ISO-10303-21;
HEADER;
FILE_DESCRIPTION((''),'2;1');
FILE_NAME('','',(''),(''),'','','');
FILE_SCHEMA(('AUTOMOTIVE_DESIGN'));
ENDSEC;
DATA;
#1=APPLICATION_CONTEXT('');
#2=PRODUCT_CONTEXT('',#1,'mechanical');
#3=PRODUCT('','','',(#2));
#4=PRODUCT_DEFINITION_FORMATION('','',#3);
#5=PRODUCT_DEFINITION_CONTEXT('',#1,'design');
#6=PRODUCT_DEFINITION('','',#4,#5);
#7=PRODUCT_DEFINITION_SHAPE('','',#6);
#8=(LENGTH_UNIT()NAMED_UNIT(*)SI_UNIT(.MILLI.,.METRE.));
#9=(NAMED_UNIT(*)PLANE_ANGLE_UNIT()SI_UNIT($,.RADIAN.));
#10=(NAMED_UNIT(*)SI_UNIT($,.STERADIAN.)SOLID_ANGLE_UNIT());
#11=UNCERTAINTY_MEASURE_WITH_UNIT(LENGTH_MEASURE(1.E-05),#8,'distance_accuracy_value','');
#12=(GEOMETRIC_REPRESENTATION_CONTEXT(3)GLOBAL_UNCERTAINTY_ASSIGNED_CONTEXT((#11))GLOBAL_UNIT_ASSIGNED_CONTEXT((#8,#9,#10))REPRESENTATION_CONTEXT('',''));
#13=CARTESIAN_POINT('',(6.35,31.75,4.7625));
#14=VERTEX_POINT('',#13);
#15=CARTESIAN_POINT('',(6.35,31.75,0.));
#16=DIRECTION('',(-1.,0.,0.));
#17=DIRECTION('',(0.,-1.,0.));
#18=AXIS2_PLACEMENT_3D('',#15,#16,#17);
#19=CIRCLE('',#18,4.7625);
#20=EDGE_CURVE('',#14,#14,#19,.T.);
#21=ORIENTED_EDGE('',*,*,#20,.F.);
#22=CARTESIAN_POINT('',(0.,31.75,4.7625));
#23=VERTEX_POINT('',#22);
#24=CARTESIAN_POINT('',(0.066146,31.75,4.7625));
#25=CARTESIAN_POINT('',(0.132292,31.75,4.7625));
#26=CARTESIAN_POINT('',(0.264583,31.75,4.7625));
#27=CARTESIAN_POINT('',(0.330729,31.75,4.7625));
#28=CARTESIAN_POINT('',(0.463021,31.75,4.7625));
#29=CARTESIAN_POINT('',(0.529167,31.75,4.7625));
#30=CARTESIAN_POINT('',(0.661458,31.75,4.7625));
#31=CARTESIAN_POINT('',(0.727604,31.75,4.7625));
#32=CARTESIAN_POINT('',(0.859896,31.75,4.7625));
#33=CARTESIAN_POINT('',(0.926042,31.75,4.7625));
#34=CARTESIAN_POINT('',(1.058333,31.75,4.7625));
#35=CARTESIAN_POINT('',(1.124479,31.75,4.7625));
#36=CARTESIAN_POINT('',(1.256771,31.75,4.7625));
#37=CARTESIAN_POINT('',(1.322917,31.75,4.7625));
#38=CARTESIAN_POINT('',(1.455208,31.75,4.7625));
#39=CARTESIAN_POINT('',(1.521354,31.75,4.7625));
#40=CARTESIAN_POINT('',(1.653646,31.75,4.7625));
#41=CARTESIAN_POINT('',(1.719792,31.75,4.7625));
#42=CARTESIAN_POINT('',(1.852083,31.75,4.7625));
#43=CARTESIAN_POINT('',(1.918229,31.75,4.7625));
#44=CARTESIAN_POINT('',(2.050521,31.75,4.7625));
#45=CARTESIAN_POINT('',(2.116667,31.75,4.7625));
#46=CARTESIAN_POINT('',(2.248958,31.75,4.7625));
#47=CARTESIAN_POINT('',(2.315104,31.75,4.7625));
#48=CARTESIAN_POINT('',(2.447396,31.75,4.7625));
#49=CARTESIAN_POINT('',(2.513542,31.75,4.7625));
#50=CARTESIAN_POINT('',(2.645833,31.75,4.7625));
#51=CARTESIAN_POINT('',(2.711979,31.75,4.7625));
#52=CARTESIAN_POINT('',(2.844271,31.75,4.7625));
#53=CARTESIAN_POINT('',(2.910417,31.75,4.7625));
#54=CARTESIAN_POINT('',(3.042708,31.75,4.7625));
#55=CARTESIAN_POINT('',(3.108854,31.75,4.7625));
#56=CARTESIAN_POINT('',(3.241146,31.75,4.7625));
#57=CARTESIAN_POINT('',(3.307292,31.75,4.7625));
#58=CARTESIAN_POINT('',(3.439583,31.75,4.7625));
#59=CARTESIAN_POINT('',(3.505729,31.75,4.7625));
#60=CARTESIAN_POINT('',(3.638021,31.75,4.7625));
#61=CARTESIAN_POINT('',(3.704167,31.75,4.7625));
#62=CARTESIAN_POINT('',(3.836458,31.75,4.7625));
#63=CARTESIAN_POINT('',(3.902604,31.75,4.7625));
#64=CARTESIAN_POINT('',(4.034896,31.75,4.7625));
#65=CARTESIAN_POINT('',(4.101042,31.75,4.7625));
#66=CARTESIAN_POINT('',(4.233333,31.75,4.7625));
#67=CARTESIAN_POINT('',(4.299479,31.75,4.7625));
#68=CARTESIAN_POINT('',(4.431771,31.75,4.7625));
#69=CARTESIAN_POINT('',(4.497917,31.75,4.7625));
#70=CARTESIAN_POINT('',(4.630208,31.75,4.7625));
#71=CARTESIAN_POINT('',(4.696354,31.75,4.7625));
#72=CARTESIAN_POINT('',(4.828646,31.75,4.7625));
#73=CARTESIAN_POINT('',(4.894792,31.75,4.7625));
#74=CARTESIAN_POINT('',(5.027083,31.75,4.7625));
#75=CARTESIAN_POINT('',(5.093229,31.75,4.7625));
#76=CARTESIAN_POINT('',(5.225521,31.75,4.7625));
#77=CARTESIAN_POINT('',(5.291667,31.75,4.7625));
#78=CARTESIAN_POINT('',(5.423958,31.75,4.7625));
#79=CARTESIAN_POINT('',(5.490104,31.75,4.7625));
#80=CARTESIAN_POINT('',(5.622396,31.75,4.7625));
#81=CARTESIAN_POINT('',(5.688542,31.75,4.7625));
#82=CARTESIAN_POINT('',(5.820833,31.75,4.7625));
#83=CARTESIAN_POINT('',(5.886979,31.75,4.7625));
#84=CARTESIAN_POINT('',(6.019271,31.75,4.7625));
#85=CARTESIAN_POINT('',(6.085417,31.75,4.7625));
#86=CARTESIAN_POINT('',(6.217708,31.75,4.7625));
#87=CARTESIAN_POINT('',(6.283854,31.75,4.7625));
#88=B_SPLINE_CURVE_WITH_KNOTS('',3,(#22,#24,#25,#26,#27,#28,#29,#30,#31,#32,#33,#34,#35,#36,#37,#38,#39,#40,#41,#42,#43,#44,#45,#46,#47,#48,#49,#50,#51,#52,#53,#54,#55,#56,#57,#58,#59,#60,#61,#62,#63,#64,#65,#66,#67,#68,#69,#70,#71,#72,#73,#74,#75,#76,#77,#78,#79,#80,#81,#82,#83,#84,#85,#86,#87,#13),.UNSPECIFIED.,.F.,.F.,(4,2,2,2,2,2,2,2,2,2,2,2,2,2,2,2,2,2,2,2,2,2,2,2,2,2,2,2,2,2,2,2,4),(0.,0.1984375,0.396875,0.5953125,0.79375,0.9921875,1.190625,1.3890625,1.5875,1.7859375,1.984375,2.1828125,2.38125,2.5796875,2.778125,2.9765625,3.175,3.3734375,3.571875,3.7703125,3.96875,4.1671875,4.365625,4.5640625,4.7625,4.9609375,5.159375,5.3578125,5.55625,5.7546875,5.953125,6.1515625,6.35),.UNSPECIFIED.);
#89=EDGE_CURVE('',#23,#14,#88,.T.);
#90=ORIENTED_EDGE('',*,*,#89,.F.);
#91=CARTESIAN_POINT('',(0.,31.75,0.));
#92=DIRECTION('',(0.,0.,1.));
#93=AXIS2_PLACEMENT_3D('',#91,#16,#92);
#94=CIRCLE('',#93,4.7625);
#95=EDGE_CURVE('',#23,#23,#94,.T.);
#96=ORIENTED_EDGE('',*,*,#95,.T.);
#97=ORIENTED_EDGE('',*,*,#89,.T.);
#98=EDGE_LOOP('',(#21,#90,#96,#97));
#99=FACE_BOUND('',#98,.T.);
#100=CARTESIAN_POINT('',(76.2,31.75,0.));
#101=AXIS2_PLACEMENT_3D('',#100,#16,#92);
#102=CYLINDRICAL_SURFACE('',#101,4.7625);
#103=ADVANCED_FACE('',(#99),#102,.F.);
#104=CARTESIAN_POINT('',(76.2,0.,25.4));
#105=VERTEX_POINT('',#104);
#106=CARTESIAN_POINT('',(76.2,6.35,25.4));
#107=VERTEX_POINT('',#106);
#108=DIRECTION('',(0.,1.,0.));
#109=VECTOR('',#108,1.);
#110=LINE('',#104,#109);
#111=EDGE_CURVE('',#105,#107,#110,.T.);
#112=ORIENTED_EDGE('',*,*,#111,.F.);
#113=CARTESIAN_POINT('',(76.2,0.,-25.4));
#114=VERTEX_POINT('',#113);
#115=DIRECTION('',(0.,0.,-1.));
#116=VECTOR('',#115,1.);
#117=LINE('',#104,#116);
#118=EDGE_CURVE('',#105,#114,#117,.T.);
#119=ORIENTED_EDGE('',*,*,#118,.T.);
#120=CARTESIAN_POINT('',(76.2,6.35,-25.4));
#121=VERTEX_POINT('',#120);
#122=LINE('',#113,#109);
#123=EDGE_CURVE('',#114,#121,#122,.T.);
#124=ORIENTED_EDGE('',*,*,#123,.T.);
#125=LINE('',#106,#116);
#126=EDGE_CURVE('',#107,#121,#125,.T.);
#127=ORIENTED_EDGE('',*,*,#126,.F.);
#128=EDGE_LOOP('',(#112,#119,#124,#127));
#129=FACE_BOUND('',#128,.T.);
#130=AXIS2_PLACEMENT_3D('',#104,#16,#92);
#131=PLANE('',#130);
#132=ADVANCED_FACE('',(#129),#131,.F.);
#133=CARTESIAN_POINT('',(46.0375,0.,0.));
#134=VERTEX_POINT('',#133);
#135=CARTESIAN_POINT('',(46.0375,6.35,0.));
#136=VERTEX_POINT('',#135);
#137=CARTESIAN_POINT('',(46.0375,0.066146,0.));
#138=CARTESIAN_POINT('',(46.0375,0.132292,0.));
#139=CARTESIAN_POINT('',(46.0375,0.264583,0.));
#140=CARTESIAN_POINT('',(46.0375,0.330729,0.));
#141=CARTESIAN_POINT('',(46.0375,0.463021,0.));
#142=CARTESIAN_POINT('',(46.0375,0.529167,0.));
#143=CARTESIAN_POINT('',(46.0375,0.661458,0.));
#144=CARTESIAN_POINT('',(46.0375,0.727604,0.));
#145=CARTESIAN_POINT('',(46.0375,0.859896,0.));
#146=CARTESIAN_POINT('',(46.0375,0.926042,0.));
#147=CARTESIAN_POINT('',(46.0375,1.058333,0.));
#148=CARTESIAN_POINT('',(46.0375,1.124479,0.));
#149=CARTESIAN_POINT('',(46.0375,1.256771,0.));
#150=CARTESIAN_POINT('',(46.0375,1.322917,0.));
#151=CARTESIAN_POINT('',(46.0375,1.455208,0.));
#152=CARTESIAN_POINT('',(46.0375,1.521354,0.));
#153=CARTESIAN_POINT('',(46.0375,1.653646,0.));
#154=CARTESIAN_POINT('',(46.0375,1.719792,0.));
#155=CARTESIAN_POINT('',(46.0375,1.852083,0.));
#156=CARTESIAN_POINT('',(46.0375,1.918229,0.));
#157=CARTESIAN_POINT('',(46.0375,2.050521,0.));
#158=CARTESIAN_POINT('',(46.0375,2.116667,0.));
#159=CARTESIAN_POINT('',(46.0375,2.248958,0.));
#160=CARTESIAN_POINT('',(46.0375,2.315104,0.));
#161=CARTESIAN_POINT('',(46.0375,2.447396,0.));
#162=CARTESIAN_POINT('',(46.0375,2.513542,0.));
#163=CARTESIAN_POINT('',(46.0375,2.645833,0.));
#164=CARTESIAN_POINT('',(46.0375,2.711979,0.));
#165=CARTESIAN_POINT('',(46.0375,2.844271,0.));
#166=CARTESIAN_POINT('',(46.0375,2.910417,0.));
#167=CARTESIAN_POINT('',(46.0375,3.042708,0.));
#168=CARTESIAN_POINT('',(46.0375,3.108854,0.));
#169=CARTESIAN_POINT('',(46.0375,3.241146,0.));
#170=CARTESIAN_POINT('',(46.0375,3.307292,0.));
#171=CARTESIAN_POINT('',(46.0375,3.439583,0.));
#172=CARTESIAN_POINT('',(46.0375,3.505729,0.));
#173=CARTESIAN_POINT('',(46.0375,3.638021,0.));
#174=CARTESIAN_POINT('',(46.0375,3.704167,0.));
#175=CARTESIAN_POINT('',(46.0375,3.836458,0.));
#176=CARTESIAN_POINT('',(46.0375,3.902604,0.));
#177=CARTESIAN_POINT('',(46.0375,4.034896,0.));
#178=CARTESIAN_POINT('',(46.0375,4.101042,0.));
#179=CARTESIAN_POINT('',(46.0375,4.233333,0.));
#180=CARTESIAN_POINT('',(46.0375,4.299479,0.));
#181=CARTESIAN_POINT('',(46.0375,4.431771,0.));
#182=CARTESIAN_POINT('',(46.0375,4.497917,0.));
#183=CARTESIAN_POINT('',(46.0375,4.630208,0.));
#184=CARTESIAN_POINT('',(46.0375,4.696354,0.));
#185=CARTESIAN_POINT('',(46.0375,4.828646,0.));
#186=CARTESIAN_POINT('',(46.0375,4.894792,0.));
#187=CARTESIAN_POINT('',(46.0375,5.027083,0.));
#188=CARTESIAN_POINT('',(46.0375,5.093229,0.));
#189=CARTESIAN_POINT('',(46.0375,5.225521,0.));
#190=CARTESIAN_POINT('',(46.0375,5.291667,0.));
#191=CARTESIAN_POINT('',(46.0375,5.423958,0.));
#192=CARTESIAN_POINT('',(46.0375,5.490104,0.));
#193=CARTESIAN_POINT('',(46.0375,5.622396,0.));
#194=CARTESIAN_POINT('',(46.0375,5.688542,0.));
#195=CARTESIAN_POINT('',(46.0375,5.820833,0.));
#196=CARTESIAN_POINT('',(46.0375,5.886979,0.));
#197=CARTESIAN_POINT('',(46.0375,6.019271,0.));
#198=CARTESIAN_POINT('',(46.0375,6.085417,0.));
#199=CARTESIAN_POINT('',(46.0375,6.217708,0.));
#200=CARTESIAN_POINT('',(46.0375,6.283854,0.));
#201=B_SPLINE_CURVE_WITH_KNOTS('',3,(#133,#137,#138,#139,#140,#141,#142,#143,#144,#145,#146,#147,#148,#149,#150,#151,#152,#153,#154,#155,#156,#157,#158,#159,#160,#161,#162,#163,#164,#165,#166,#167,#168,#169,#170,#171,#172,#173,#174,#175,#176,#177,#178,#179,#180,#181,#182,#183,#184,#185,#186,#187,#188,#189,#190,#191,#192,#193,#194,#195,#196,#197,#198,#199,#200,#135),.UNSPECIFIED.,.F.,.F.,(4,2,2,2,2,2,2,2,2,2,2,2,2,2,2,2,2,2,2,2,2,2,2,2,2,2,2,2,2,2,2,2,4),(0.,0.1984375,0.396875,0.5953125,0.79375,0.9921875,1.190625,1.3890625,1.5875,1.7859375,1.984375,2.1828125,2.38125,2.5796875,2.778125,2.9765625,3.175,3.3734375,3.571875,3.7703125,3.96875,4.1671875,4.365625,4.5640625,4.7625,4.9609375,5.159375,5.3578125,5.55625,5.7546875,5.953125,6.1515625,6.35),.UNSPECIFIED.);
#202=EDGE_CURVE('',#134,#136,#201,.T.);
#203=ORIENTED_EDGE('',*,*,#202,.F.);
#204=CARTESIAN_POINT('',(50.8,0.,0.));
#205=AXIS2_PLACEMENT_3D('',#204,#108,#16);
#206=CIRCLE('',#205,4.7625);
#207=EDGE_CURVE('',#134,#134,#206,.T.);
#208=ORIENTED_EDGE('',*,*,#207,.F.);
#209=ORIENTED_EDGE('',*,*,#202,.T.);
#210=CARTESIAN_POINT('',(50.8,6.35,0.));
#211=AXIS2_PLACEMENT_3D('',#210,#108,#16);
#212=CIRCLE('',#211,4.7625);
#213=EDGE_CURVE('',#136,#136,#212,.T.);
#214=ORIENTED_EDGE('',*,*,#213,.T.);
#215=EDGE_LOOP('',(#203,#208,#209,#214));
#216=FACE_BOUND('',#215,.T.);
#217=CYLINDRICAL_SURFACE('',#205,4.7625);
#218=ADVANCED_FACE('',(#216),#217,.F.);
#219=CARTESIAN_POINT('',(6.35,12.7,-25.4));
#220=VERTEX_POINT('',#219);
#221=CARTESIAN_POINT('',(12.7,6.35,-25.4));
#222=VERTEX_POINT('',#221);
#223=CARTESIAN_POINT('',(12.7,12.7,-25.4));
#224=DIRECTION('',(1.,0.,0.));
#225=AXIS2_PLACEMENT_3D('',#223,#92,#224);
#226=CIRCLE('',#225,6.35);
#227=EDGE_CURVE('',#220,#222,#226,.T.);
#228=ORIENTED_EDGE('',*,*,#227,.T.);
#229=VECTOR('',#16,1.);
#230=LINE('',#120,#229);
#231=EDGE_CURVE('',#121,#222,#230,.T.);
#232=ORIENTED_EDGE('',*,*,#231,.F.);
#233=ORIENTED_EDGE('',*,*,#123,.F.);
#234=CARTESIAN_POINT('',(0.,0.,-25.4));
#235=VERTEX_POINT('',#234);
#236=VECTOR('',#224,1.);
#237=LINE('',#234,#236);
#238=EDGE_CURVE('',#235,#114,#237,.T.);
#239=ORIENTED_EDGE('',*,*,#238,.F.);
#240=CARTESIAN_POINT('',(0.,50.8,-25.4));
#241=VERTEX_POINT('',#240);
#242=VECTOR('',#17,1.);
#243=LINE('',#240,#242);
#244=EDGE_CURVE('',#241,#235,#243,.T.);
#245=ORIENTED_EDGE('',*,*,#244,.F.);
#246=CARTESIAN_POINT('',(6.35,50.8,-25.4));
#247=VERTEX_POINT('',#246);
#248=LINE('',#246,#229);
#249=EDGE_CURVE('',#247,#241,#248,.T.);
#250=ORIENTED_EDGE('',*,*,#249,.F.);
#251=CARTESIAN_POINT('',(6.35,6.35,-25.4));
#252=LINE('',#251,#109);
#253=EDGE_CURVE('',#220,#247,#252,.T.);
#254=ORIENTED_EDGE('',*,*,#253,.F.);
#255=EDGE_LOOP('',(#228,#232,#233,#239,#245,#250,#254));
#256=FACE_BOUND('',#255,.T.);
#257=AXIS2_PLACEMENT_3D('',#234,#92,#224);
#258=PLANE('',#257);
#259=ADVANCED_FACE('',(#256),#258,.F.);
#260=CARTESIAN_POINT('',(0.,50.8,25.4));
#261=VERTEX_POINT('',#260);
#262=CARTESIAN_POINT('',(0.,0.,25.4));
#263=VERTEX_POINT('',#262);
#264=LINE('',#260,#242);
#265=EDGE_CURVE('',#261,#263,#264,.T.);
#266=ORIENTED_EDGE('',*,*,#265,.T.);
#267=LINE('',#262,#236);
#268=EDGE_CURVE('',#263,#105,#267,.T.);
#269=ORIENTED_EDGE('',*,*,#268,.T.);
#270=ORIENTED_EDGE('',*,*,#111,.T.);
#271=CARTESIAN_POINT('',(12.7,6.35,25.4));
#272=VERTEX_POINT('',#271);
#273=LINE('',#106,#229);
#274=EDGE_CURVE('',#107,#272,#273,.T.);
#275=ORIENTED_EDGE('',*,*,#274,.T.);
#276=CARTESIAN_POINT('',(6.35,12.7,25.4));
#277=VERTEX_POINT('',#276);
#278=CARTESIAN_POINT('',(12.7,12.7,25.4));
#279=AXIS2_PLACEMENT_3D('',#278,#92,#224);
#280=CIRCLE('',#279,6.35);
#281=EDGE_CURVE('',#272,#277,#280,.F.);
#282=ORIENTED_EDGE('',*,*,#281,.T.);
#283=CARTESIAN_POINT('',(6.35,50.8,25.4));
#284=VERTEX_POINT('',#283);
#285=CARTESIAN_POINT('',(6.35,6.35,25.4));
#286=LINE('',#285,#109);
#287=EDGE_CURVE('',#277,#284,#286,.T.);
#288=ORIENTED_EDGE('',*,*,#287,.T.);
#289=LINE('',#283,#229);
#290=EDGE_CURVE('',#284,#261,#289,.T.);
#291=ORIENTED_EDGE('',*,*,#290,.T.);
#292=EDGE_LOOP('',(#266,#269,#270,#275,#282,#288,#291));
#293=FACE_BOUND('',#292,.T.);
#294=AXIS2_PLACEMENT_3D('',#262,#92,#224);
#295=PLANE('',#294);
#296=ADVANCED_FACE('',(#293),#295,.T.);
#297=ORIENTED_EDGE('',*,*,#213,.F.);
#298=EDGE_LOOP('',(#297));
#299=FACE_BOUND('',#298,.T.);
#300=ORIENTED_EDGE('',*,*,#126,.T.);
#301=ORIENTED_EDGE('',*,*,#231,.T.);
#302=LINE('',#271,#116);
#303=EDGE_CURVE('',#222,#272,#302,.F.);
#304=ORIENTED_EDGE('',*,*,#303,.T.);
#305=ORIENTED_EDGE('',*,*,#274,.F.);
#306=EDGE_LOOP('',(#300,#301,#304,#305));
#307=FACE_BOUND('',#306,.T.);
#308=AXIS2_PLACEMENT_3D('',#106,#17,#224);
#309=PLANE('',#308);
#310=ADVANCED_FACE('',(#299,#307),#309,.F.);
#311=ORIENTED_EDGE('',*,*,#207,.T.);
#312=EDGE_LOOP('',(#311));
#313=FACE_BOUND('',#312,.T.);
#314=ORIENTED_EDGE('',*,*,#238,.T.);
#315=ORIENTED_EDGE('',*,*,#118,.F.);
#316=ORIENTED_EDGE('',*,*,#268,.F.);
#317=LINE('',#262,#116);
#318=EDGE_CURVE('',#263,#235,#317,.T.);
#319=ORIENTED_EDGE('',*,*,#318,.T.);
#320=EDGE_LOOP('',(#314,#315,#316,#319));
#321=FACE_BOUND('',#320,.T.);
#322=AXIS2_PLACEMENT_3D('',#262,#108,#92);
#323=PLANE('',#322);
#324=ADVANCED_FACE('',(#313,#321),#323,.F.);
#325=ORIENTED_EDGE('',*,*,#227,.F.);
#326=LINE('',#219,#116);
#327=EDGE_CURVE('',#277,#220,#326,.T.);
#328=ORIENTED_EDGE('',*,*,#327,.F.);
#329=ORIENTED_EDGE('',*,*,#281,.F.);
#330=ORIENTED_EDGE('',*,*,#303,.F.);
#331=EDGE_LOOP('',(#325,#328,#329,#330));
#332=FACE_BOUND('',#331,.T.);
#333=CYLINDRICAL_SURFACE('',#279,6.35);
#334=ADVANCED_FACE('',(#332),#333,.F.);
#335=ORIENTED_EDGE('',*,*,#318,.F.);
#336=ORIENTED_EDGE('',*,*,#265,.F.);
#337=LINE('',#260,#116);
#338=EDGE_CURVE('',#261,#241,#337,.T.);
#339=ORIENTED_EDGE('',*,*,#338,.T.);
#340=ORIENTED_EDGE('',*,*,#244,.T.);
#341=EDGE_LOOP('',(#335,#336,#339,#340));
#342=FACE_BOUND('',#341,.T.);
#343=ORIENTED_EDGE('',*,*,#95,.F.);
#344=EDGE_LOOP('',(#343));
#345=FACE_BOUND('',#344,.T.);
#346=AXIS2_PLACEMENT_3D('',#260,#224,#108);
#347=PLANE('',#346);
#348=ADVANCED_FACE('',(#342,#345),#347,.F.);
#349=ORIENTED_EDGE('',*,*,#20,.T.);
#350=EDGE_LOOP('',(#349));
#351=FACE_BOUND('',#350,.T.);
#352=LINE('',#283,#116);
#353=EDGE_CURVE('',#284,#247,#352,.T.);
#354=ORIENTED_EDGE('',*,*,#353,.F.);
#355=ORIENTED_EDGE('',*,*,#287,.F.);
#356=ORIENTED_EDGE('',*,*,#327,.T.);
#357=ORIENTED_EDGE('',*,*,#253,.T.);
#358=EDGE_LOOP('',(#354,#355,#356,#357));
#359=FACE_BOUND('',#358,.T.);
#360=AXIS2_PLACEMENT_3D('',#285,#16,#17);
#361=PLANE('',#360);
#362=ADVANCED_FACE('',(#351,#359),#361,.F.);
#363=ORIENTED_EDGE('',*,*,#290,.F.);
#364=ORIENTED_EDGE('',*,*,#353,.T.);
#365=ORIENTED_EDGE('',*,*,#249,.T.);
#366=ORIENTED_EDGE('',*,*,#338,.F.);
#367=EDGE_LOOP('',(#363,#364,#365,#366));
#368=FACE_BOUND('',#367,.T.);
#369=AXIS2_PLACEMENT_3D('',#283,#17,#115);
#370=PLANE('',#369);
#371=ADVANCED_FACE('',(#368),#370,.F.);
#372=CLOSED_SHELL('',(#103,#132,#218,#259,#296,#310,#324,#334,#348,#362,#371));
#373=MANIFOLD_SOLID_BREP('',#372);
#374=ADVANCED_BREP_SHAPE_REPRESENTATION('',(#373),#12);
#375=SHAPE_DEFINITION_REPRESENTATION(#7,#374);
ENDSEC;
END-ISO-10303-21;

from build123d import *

# Parameters (mm, degrees)
BRACKET_DEPTH      = 25.4
FILLET_2_R         = 6.35
SKETCH2_R          = 4.7625
BASE_HOLE_DEPTH    = 92.800885072
SKETCH4_R          = 4.7625
CUT_EXTRUDE2_DEPTH = 96.038097624


with BuildPart() as part:
    # Sketch1 → Bracket (new, symmetric)
    with BuildSketch(Plane.XY):
        Polygon((0, 0), (76.2, 0), (76.2, 6.35), (6.35, 6.35), (6.35, 50.8), (0, 50.8), align=None)
    extrude(amount=BRACKET_DEPTH, both=True)

    # Fillet 2
    fillet_2_edges = [part.edges().sort_by_distance(p)[0] for p in [
        (6.35, 6.35, 0),
    ]]
    fillet(fillet_2_edges, radius=FILLET_2_R)

    # Sketch2 → Base hole (cut, through all)
    with BuildSketch(Plane(origin=(0, 6.35, 0), x_dir=(1, 0, 0), z_dir=(0, 1, 0))):
        with Locations(Location((50.8, 0, 0), (0, 0, 180))):
            Circle(SKETCH2_R)
    extrude(amount=-BASE_HOLE_DEPTH, mode=Mode.SUBTRACT)

    # Sketch4 → Cut-Extrude2 (cut, through all)
    with BuildSketch(Plane.ZY):
        with Locations((0, 31.75)):
            Circle(SKETCH4_R)
    extrude(amount=-CUT_EXTRUDE2_DEPTH, mode=Mode.SUBTRACT)


solid = part.part
